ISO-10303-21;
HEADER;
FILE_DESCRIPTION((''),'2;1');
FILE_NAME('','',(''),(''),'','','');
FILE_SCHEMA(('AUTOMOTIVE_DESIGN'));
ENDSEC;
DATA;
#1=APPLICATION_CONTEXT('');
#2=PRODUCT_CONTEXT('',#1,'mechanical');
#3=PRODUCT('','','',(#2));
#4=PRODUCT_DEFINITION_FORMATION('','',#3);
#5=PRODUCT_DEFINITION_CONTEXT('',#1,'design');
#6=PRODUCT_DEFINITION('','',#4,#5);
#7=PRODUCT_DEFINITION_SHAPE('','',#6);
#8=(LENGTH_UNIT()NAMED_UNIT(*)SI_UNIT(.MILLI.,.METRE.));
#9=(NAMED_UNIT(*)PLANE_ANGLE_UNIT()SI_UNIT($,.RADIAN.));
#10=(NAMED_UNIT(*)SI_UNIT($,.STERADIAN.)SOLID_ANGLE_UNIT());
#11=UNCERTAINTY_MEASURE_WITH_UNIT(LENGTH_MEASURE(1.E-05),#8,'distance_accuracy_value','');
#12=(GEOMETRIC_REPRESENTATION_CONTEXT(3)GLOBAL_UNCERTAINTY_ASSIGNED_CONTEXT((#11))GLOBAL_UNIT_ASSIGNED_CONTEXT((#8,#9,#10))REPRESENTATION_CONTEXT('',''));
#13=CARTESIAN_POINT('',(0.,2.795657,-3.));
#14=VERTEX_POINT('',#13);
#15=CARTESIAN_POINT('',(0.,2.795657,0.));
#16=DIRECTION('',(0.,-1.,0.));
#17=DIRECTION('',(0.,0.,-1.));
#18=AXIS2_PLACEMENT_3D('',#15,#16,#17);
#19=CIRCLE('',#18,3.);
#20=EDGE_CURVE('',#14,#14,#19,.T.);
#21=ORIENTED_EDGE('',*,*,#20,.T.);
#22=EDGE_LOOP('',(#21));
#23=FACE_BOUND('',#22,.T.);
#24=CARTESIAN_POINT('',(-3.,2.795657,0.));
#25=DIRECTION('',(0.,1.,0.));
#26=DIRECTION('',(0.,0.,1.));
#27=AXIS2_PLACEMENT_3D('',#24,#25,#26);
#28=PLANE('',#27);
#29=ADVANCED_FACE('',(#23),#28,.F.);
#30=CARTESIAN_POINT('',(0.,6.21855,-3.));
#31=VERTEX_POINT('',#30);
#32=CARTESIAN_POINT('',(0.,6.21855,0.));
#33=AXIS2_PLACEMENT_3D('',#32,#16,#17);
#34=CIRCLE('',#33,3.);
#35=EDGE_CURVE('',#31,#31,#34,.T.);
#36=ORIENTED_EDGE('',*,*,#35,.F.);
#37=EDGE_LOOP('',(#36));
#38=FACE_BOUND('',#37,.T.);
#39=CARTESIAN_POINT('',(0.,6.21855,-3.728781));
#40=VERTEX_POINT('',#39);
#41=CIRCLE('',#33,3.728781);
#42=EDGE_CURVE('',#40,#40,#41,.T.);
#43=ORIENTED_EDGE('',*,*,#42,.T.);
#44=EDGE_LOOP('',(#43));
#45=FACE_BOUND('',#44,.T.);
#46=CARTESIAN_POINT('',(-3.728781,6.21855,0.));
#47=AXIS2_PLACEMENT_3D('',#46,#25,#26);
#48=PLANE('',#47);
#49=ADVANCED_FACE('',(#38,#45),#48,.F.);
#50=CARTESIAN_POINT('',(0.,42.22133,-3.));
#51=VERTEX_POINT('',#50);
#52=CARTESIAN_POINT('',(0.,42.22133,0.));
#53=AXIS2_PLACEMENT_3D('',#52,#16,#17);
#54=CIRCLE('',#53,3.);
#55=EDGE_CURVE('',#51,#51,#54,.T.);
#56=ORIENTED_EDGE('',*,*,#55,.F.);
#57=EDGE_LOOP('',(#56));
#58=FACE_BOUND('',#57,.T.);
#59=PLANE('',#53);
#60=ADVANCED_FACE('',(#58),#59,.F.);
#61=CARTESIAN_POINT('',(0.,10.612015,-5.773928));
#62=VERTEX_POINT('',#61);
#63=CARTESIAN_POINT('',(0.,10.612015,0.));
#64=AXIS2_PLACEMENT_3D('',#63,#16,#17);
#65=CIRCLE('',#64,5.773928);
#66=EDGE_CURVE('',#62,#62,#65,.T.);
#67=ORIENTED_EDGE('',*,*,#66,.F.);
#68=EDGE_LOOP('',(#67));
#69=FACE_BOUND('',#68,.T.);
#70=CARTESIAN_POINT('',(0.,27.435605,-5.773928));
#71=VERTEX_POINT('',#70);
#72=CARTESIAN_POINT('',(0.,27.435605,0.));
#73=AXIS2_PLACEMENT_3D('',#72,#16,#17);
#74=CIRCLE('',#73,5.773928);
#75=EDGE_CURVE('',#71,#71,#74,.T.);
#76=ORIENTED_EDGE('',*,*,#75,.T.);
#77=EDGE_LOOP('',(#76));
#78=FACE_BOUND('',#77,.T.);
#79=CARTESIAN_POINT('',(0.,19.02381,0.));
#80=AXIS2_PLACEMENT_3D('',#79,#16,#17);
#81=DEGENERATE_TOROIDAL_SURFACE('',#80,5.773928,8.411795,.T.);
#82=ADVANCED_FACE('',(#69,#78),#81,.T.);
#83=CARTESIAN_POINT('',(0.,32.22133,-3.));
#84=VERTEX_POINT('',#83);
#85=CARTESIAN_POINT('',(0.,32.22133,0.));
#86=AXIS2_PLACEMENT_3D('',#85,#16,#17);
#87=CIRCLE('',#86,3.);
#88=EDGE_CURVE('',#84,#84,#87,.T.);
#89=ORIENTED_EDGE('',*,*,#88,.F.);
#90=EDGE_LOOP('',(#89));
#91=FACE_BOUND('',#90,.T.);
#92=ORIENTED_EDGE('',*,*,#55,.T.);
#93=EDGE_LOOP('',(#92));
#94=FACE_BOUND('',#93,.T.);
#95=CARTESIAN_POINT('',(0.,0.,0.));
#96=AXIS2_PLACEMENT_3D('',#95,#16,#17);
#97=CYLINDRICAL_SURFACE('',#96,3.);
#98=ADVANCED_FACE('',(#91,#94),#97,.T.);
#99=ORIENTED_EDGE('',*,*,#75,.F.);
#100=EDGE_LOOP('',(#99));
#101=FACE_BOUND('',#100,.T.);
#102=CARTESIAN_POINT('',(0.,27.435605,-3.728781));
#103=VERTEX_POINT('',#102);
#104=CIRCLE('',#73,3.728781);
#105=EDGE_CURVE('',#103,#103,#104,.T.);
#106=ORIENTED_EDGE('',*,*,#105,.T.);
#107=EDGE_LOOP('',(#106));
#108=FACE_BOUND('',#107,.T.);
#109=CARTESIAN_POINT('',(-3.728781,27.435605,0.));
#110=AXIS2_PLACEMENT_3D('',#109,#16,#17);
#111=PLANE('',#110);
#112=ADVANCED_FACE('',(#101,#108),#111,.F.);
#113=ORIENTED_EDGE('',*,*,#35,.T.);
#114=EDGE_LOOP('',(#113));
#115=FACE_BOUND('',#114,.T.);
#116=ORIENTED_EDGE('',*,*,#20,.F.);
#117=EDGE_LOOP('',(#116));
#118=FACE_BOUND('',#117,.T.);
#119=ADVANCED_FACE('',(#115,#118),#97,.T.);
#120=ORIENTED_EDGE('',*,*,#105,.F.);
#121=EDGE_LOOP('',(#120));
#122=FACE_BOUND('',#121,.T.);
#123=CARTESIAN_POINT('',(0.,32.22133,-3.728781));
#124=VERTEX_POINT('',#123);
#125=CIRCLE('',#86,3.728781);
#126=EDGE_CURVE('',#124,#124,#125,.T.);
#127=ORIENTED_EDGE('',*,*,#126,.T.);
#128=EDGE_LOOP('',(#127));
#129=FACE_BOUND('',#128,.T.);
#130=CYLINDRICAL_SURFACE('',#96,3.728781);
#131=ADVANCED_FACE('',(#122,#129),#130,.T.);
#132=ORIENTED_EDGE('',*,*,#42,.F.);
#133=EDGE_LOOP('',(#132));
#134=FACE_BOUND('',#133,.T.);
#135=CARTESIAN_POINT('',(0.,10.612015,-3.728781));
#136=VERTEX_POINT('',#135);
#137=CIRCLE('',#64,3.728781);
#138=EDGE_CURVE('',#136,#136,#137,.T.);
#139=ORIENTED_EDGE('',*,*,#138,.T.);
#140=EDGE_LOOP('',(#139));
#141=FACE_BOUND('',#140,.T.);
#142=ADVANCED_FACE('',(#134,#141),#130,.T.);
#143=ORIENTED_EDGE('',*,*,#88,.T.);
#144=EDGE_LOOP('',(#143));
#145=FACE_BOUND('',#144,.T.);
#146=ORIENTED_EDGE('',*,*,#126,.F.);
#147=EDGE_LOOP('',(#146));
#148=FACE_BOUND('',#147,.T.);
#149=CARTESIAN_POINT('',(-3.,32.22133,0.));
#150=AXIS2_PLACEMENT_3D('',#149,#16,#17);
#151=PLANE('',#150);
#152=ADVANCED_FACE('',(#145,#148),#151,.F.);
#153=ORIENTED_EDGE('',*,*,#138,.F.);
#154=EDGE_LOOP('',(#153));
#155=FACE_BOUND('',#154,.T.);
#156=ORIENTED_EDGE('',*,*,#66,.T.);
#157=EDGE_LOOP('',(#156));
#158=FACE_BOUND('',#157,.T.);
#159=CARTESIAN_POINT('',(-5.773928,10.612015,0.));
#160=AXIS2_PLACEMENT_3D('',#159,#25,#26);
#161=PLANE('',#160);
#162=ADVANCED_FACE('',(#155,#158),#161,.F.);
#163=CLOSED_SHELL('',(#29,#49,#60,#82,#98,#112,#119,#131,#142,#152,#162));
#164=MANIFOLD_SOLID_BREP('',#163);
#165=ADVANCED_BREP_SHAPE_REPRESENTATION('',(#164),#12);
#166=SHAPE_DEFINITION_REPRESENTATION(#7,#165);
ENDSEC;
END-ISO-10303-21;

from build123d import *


with BuildPart() as part:
    # Эскиз1 → Повернуть1 (revolve)
    with BuildSketch(Plane.XY):
        with BuildLine():
            Line((0, 42.221330192), (-3, 42.221330192))
            Line((-3, 42.221330192), (-3, 32.221330192))
            Line((-3, 32.221330192), (-3.728781423, 32.221330192))
            Line((-3.728781423, 32.221330192), (-3.728781423, 27.435605162))
            Line((-3.728781423, 27.435605162), (-5.773927938, 27.435605162))
            ThreePointArc((-5.773927938, 27.435605162), (-14.185723229, 19.023809872), (-5.773927938, 10.612014581))
            Line((-5.773927938, 10.612014581), (-3.728781423, 10.612014581))
            Line((-3.728781423, 10.612014581), (-3.728781423, 6.218549743))
            Line((-3.728781423, 6.218549743), (-3, 6.218549743))
            Line((-3, 6.218549743), (-3, 2.795657314))
            Line((-3, 2.795657314), (0, 2.795657314))
            Line((0, 2.795657314), (0, 42.221330192))
        make_face()
    revolve(axis=Axis((0, 0, 0), (0, 1, 0)))


solid = part.part
